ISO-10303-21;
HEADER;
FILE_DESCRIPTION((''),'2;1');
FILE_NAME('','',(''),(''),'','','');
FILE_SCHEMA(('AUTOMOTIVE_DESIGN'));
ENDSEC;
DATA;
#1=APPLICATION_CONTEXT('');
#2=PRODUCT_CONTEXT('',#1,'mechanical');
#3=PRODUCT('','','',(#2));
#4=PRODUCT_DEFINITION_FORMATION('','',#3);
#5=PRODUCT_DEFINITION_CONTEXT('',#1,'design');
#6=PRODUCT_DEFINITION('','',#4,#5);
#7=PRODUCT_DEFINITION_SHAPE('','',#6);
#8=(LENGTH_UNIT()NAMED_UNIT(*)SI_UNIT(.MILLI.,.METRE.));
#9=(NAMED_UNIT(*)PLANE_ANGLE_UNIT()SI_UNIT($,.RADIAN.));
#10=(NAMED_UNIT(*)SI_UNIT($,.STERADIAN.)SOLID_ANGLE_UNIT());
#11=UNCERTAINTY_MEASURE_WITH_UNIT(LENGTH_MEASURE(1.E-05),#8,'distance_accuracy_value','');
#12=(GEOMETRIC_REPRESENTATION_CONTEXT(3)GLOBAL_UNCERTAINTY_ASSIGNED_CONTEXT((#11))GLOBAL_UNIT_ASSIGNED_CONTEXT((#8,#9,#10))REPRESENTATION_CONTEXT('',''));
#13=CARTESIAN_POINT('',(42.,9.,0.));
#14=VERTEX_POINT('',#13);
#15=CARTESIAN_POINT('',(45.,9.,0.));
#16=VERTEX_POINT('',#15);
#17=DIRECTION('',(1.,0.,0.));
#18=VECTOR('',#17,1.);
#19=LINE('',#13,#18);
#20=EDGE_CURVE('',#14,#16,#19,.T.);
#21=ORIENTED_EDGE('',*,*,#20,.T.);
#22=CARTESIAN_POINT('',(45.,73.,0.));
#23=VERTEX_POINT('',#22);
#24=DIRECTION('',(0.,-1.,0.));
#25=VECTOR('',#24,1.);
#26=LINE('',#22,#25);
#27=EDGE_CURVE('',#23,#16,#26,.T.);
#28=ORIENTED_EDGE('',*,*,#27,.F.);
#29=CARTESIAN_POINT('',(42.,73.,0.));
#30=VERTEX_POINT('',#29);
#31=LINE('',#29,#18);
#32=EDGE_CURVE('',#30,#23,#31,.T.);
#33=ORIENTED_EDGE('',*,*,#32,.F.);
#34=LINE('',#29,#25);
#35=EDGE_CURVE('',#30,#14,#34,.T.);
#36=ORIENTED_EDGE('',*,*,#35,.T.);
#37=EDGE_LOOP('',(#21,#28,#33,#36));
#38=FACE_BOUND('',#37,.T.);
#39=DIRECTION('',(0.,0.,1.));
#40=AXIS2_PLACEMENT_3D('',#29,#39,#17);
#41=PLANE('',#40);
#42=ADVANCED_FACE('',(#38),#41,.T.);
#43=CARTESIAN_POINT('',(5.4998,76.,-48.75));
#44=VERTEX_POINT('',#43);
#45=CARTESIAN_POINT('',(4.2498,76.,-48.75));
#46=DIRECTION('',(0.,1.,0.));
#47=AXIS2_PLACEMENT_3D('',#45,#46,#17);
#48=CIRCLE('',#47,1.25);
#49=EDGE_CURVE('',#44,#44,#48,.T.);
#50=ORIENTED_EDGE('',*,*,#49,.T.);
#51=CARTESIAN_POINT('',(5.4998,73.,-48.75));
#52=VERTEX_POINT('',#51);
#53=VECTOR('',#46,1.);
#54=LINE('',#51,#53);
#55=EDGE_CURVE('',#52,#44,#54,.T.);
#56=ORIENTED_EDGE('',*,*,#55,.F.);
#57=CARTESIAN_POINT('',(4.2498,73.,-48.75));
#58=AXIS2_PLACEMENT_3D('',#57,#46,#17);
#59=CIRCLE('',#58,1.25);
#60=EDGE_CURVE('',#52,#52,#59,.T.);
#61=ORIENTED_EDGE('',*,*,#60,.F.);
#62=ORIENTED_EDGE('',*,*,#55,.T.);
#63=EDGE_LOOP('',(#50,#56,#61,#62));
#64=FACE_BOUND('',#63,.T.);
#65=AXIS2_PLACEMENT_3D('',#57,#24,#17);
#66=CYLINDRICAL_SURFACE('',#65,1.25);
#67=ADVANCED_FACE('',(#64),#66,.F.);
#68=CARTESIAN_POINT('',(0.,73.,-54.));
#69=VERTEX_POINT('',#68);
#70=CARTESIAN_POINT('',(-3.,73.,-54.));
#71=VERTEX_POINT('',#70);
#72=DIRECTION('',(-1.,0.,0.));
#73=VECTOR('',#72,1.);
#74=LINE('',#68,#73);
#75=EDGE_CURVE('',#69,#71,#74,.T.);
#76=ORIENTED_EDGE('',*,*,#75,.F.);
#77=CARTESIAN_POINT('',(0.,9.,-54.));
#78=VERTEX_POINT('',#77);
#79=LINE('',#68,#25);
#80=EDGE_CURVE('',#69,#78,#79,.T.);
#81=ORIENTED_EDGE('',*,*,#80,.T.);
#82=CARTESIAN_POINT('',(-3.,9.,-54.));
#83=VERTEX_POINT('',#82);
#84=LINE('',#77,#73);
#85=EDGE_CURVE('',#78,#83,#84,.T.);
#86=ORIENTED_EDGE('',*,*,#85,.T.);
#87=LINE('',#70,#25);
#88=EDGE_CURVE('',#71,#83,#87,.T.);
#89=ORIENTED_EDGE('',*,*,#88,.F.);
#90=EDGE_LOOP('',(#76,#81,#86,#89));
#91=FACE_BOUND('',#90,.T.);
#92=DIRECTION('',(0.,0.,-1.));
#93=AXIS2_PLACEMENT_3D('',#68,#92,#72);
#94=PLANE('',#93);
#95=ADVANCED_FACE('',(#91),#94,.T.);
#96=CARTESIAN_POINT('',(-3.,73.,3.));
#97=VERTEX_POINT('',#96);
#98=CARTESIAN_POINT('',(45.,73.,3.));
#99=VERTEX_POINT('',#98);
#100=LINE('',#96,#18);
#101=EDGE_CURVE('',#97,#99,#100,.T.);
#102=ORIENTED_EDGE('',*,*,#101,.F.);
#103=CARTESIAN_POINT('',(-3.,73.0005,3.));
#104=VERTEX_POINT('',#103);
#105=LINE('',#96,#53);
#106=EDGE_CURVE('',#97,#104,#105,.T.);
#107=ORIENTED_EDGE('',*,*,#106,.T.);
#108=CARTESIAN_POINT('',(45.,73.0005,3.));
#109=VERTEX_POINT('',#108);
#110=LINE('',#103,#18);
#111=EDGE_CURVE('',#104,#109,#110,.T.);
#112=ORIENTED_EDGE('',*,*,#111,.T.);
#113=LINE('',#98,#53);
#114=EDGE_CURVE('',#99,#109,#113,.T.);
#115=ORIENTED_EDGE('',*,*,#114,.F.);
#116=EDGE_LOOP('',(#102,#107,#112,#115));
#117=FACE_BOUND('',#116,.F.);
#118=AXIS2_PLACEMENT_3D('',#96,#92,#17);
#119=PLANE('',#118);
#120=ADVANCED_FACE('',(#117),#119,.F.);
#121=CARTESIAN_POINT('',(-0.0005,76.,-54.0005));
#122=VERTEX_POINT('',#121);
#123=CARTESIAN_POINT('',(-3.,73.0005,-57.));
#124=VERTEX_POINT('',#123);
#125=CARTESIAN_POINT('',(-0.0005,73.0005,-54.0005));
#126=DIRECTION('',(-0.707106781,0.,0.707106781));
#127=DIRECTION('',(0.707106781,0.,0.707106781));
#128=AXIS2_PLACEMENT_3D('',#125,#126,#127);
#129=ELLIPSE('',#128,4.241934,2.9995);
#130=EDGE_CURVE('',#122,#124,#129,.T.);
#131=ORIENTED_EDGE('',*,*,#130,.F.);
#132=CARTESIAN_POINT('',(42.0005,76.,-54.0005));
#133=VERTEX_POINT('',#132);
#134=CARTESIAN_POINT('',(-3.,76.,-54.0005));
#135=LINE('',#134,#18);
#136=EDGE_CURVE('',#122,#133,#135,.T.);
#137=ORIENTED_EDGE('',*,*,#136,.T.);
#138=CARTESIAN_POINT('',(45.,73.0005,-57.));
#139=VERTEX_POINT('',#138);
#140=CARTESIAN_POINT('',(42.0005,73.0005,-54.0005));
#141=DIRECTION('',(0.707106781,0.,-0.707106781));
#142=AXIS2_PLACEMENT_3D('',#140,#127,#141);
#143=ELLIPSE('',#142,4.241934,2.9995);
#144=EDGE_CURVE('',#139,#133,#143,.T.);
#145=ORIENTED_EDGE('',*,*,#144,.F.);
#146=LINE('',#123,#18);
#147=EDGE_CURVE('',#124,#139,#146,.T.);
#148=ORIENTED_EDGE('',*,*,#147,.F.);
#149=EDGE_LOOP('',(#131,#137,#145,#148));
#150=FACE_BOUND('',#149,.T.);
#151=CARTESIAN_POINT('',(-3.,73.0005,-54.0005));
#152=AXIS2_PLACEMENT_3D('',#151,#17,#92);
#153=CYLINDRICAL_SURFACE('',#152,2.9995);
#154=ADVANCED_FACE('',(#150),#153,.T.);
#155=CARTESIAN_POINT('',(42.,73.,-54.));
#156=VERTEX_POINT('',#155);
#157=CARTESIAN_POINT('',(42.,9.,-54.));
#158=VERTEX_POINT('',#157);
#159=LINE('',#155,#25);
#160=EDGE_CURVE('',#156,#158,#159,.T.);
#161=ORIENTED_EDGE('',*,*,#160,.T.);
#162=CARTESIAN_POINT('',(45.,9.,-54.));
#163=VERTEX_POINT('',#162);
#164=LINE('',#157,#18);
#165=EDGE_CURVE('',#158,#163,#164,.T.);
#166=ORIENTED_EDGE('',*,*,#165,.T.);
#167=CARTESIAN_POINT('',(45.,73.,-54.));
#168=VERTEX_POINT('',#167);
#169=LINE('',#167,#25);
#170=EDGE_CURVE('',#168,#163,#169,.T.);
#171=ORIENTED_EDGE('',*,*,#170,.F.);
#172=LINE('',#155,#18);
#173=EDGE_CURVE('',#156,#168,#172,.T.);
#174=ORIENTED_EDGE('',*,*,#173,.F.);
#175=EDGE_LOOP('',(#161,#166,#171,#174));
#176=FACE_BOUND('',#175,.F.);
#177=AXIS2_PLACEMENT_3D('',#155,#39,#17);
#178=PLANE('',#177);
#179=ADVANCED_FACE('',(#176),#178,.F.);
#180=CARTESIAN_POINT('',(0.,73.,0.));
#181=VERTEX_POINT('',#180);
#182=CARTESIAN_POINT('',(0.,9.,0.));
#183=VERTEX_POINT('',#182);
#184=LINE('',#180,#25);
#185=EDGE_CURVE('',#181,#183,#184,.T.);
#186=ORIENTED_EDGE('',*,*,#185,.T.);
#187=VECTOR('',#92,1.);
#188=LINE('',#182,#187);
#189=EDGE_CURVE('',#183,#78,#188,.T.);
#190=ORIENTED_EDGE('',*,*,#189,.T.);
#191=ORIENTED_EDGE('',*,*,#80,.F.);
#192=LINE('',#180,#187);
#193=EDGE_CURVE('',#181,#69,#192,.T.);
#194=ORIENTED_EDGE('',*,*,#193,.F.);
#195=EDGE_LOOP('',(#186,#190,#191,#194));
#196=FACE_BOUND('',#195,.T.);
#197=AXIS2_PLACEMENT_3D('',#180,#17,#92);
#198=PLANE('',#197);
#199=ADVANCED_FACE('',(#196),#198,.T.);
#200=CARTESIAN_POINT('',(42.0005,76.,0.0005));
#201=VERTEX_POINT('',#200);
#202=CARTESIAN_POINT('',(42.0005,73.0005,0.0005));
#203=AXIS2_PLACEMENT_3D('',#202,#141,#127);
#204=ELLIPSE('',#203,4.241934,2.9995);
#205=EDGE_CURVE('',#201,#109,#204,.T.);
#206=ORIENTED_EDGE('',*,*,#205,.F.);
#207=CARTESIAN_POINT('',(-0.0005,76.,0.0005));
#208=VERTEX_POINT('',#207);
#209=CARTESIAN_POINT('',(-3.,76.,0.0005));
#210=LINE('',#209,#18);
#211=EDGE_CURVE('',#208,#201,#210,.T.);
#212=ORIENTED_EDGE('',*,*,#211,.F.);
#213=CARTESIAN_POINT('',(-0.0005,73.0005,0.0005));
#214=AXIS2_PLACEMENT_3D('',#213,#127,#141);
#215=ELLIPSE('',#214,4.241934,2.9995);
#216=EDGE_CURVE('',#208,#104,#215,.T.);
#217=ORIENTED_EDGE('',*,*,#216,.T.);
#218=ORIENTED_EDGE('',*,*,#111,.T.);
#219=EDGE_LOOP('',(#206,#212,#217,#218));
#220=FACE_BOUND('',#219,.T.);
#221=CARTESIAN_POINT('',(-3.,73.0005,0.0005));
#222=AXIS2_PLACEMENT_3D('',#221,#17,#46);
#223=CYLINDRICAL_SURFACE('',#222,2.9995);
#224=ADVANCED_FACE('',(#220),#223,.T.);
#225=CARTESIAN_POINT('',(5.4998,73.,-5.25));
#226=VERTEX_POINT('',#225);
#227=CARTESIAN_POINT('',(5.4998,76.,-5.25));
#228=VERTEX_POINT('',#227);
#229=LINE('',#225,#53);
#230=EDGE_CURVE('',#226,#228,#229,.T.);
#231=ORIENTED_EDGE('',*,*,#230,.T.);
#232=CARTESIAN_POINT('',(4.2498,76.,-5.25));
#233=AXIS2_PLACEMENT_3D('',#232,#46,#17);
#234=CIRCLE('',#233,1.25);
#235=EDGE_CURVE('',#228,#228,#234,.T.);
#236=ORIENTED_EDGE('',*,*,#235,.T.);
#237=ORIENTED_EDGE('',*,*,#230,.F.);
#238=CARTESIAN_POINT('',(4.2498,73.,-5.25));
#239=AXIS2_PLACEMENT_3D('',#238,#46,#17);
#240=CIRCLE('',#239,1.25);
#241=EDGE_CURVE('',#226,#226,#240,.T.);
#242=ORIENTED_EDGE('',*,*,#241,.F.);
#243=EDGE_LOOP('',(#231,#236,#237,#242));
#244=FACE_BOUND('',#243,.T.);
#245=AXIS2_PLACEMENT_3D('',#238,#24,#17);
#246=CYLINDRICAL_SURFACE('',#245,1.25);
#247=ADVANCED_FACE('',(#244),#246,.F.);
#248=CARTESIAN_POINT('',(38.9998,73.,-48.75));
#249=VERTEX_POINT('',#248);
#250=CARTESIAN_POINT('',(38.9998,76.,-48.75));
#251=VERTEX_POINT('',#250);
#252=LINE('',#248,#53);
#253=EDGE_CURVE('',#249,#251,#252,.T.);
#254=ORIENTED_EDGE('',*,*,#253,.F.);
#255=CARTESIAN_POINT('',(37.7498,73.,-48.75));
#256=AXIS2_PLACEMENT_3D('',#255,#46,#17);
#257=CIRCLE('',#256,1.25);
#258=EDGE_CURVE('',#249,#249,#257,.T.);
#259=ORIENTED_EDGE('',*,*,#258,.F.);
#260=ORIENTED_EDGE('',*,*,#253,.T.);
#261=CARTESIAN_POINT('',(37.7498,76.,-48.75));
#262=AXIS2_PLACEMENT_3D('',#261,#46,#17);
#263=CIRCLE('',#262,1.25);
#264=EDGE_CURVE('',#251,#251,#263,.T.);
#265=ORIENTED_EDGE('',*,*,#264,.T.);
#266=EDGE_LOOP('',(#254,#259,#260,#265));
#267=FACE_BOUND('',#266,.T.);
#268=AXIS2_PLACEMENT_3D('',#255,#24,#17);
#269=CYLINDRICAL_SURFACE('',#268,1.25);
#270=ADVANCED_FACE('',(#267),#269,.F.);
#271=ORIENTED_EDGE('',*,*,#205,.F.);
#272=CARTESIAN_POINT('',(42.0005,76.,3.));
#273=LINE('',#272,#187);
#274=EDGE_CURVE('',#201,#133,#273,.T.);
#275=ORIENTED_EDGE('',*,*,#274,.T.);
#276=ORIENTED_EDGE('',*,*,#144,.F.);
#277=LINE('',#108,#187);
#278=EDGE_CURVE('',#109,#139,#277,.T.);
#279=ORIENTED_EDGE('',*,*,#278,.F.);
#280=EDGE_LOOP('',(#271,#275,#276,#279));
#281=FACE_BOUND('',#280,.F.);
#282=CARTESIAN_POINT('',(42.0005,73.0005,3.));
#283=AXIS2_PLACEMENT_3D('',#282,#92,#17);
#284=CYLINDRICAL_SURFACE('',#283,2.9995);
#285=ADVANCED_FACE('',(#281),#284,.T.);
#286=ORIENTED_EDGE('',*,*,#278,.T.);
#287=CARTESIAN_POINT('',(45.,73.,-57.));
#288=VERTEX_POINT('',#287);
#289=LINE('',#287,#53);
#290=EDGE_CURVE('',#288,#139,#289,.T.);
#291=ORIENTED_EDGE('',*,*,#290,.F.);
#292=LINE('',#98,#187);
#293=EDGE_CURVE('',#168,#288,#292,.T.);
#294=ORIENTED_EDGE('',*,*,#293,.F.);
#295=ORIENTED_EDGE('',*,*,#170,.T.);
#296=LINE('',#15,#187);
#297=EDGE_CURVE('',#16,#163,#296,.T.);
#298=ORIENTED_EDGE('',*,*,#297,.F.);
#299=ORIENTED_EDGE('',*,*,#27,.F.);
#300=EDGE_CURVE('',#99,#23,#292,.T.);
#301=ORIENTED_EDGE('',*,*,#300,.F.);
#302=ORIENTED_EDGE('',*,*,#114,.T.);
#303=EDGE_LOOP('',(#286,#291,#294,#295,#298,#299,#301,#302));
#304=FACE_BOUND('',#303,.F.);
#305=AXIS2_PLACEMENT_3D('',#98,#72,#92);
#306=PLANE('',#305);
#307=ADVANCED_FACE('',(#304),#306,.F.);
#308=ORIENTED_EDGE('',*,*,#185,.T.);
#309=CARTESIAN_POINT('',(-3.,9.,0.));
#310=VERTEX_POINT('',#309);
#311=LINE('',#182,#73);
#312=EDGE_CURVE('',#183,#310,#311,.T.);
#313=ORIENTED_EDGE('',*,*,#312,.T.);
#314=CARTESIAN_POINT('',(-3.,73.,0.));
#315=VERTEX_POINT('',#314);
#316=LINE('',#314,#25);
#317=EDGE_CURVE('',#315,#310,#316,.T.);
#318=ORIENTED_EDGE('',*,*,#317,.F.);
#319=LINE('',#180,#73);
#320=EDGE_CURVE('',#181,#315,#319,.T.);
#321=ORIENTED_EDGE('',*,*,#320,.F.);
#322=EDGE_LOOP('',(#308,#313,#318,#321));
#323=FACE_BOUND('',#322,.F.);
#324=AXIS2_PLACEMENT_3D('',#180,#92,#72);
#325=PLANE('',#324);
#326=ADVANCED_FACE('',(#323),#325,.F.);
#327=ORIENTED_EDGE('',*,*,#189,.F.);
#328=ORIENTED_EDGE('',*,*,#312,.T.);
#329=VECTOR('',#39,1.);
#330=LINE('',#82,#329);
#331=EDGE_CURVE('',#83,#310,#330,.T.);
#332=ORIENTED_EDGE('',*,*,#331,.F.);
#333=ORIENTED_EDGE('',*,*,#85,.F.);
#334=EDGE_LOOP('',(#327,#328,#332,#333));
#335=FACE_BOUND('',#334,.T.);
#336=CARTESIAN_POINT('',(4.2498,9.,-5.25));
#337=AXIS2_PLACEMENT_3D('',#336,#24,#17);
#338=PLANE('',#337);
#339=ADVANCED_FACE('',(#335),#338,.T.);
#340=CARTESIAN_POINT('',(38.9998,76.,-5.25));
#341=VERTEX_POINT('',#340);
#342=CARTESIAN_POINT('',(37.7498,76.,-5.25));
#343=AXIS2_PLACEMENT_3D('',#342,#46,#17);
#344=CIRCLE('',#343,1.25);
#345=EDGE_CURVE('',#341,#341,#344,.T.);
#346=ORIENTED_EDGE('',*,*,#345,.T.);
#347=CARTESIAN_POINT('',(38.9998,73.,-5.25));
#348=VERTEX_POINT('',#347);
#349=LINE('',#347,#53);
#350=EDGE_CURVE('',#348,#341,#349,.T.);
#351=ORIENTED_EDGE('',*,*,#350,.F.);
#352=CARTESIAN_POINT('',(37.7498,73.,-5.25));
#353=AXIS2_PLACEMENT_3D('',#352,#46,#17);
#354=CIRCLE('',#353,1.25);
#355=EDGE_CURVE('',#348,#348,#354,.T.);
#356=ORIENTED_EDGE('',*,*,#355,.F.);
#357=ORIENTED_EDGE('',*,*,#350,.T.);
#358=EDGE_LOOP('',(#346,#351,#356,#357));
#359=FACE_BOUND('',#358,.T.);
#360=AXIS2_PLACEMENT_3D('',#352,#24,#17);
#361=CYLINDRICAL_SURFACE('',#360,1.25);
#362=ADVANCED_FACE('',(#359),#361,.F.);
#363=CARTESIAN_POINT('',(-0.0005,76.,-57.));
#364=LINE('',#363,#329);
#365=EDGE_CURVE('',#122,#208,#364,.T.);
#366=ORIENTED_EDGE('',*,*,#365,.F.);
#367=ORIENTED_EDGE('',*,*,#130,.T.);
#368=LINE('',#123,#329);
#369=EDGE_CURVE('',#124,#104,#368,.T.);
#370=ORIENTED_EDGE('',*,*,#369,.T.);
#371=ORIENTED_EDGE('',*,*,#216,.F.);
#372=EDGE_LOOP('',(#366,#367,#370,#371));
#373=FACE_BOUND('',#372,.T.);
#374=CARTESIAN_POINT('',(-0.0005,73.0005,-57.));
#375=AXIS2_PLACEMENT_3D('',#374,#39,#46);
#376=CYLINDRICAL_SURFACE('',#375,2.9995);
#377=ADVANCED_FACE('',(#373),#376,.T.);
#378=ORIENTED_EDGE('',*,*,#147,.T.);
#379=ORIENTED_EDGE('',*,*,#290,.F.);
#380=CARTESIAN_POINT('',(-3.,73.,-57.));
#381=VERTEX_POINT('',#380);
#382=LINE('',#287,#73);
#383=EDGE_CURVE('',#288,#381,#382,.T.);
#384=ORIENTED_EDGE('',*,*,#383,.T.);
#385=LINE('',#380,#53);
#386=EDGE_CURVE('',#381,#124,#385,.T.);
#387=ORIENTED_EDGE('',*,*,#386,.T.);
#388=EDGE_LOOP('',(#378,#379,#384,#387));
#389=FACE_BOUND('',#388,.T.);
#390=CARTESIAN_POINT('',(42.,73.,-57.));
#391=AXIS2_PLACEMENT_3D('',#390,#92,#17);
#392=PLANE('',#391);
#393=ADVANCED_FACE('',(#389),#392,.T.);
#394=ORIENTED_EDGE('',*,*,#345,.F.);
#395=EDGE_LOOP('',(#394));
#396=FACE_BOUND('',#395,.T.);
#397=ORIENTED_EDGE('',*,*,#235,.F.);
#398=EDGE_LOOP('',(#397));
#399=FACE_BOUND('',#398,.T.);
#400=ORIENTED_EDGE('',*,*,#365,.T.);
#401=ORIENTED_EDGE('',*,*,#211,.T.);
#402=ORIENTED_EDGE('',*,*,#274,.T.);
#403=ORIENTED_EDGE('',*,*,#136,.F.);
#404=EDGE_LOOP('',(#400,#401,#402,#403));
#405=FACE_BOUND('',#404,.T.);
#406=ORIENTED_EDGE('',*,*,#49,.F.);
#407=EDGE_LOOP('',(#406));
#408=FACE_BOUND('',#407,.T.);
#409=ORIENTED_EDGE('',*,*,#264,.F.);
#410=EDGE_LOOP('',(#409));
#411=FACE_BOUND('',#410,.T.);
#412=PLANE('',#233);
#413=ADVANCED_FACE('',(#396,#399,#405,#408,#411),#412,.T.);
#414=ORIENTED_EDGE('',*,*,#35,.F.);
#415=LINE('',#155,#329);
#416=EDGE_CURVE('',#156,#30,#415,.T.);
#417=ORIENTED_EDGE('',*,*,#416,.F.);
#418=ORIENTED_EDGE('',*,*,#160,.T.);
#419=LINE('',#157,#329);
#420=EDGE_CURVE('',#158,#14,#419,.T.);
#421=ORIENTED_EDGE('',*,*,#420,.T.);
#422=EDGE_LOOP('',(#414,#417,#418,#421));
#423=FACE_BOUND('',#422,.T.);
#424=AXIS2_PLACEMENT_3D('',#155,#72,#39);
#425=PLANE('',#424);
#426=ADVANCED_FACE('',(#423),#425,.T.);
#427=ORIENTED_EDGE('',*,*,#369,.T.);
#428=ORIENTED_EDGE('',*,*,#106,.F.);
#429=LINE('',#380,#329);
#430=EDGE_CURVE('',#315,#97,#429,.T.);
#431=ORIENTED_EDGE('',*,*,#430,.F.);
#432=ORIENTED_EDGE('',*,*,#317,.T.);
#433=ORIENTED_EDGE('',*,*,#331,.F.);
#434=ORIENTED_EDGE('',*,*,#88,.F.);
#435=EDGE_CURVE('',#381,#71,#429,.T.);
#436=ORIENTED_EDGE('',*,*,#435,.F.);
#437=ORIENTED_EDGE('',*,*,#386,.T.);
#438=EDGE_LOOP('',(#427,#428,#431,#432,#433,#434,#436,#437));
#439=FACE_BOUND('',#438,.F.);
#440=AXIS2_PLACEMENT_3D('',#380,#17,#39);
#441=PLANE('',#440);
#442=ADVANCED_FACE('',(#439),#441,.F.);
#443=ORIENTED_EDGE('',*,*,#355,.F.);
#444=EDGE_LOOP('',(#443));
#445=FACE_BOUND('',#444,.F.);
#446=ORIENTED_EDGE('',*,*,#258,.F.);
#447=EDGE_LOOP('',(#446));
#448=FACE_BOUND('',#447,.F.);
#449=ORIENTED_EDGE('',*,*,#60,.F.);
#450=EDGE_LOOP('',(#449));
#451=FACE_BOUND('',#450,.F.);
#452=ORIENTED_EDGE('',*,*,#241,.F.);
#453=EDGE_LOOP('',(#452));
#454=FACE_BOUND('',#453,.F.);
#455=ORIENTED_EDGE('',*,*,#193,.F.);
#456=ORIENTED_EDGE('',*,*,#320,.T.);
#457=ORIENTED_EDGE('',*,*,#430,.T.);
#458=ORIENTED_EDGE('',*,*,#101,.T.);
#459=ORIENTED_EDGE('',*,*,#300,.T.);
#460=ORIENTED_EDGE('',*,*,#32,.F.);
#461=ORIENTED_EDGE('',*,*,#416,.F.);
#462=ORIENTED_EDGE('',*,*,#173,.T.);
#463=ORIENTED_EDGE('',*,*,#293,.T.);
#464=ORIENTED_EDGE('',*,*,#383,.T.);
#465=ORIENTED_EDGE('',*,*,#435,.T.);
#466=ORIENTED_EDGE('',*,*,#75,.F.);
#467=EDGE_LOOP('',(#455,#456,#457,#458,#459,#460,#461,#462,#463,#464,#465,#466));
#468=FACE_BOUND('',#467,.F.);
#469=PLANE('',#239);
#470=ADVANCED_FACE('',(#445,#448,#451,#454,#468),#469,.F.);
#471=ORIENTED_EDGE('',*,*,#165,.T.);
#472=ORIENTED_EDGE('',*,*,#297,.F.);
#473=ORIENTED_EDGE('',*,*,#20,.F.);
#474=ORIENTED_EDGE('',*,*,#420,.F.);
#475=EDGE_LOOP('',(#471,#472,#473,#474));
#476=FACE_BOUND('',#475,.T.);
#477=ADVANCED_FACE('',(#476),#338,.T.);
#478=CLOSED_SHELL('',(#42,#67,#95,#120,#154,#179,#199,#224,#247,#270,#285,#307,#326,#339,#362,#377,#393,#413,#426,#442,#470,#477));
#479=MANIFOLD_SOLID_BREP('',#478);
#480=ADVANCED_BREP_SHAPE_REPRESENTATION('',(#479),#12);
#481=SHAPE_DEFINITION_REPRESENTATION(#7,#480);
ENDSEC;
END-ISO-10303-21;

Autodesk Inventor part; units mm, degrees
ref_plane "YZ Plane" through (0, 0, 0) normal (1, 0, 0) x (0, 1, 0)
ref_plane "XZ Plane" through (0, 0, 0) normal (0, 1, 0) x (-1, 0, 0)
ref_plane "XY Plane" through (0, 0, 0) normal (0, 0, 1) x (1, 0, 0)
ref_plane "Plano de trabajo1" through (0, 3, 0) normal (0, 1, 0) x (1, 0, 0)
ref_plane "Plano de trabajo2" through (4.2498, 73, -5.25) normal (0, 1, 0) x (1, 0, 0)
sketch "Boceto3" plane through (4.2498, 73, -5.25) normal (0, 1, 0) x (1, 0, 0)
  line L0 (37.7502, 51.75) -> (40.7502, 51.75)
  line L1 (-7.2498, -8.25) -> (40.7502, -8.25)
  line L2 (40.7502, -8.25) -> (40.7502, 51.75)
  line L3 (40.7502, 51.75) -> (-7.2498, 51.75)
  line L4 (-7.2498, 51.75) -> (-7.2498, -8.25)
  circle A0 centre (33.5, 43.5) radius 1.25
  circle A1 centre (33.5, 0) radius 1.25
  circle A2 centre (0, 43.5) radius 1.25
  circle A3 centre (0, 0) radius 1.25
  point P0 (-4.2498, -5.25)
  point P1 (37.7502, -5.25)
  point P2 (37.7502, 48.75)
  dimension "d39" = 2.5
  dimension "d40" = 2.5
  dimension "d41" = 2.5
  dimension "d42" = 2.5
ref_plane "Plano de trabajo3" through (4.2498, 73, -5.25) normal (0, -1, 0) x (1, 0, 0)
sketch "Boceto5" plane through (4.2498, 73, -5.25) normal (0, -1, 0) x (1, 0, 0)
  line L0 (-4.2498, 5.25) -> (-4.2498, -48.75) projected
  line L1 (-4.2498, 5.25) -> (-4.2498, -48.75)
  line L2 (37.7502, -48.75) -> (37.7502, 5.25)
  line L3 (37.7502, 5.25) -> (37.7502, 8.25)
  line L4 (37.7502, -48.75) -> (37.7502, -51.75)
  line L5 (-4.2498, 5.25) -> (-7.2498, 5.25)
  line L6 (-4.2498, -48.75) -> (-7.2498, -48.75)
  line L7 (37.7502, -48.75) -> (40.7502, -48.75)
  line L8 (37.7502, 5.25) -> (40.7502, 5.25)
  line L9 (40.7502, 5.25) -> (40.7502, -48.75)
  line L10 (40.7502, -51.75) -> (40.7502, 8.25) projected
  line L11 (-7.2498, -48.75) -> (-7.2498, 5.25)
  line L12 (-7.2498, 8.25) -> (-7.2498, -51.75) projected
extrude "Extrusión5" add sketch "Boceto5" along normal blind 64
extrude "Extrusión6" add sketch "Boceto3" along normal blind 3
fillet "Empalme3" radius 3 4 edges at (21, 76, 3) (-3, 76, -27) (45, 76, -27) (21, 76, -57)
properties part number "Relé - columnes tapa"
